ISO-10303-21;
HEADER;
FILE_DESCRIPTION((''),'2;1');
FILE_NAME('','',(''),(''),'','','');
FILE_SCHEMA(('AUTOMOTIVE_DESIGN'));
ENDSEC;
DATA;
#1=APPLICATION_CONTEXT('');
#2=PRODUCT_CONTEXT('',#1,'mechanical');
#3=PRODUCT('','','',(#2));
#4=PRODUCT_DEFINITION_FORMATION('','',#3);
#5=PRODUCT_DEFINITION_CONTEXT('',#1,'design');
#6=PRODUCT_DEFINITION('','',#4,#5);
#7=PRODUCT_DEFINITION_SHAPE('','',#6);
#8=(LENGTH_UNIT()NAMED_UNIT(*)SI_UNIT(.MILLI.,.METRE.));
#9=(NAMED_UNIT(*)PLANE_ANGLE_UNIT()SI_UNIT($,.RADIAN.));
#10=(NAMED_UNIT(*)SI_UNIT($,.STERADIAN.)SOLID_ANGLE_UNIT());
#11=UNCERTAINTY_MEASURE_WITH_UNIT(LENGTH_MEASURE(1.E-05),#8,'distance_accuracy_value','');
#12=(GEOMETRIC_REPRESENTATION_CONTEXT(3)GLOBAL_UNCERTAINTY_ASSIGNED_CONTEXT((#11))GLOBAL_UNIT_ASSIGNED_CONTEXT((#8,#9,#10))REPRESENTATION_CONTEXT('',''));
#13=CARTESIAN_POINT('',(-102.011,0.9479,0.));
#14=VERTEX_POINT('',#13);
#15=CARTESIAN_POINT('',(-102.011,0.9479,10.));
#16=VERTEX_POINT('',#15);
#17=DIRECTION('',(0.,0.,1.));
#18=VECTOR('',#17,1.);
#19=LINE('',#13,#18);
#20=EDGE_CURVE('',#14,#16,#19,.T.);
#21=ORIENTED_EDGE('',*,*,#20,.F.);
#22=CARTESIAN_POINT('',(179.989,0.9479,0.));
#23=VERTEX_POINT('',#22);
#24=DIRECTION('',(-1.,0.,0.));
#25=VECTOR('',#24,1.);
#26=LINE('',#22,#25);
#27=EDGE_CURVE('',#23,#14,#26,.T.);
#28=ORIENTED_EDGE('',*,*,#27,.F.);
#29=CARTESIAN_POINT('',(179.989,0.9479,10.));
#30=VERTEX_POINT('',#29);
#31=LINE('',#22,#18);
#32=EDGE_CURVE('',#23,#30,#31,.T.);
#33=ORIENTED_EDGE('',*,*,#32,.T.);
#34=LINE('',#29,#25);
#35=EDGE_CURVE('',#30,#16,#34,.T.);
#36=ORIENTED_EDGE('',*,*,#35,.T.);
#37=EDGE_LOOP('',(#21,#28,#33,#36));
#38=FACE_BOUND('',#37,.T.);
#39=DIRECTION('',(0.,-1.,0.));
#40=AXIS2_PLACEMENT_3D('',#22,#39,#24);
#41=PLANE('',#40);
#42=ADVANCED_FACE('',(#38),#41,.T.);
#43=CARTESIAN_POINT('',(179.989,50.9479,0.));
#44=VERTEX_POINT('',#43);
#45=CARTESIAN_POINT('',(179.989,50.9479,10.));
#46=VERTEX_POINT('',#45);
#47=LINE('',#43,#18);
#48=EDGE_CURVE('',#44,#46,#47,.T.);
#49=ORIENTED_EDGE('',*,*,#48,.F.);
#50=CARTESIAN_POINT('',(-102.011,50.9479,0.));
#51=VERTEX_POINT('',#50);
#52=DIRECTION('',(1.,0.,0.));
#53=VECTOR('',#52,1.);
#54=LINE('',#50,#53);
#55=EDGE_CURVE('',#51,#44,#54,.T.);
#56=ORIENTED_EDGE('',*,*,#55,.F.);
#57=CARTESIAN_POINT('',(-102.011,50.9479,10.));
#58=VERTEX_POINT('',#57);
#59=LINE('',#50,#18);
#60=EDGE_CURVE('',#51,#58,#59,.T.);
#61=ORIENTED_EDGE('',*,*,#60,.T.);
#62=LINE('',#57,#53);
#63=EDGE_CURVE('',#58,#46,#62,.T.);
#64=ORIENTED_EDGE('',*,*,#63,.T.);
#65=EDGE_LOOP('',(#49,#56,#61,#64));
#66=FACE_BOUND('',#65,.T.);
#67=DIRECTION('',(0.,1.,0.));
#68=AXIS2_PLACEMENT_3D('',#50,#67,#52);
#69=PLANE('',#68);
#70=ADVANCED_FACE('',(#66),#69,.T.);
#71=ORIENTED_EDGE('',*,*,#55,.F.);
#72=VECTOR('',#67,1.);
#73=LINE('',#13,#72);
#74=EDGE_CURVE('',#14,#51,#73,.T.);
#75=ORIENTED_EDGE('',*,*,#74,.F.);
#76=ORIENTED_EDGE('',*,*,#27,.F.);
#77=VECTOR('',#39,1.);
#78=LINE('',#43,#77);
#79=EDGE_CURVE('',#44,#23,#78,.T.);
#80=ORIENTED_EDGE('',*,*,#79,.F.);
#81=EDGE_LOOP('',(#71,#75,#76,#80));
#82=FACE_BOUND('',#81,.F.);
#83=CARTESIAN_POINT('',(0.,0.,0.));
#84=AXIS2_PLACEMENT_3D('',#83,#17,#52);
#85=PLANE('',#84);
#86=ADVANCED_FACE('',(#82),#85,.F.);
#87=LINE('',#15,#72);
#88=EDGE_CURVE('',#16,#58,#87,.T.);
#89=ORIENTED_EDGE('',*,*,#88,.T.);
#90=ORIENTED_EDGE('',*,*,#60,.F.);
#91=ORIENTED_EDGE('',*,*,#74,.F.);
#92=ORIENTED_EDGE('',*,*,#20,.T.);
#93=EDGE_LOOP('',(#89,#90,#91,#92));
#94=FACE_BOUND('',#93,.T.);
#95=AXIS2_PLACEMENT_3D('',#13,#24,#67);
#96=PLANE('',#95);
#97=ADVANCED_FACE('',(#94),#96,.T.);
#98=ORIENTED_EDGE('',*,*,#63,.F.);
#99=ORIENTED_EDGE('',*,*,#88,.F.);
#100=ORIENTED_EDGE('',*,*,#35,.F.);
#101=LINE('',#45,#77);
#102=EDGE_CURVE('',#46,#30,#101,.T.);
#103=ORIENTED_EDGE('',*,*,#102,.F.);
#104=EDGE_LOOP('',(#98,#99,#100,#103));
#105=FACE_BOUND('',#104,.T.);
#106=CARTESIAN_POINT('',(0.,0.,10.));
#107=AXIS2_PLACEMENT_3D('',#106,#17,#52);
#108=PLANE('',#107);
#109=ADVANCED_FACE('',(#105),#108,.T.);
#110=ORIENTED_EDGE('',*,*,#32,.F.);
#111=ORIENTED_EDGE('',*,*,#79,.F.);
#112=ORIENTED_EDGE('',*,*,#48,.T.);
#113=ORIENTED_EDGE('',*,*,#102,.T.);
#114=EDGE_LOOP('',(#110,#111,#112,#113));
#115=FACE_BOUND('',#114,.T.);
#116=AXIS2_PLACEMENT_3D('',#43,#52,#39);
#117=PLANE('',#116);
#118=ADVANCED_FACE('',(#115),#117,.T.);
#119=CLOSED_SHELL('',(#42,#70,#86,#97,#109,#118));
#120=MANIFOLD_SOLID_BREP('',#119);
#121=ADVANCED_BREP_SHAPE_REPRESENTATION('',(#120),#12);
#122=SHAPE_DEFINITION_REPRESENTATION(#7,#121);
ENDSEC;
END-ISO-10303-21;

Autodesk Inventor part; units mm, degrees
ref_plane "YZ Plane" through (0, 0, 0) normal (1, 0, 0) x (0, 1, 0)
ref_plane "XZ Plane" through (0, 0, 0) normal (0, 1, 0) x (-1, 0, 0)
ref_plane "XY Plane" through (0, 0, 0) normal (0, 0, 1) x (1, 0, 0)
sketch "Sketch1" plane through (0, 0, 0) normal (0, 0, 1) x (1, 0, 0)
  line L0 (169.989, 31) -> (-92.011, 31) projected
  line L1 (169.989, 31) -> (169.989, 40.9823) projected
  line L2 (-92.011, 40.9823) -> (169.989, 40.9823) projected
  line L3 (-92.011, 31) -> (-92.011, 40.9823) projected
  line L4 (-102.011, 50.9479) -> (179.989, 50.9479)
  line L5 (179.989, 50.9479) -> (179.989, 0.9479)
  line L6 (179.989, 0.9479) -> (-102.011, 0.9479)
  line L7 (-102.011, 0.9479) -> (-102.011, 50.9479)
  dimension "d4" = 50
  dimension "d5" = 10
  dimension "d6" = 10
extrude "Extrusion1" add sketch "Sketch1" along normal blind 10 contours L0 L3 L2 L1 | L4 L5 L6 L7
properties part number "Frame bottom Left" material "Aluminum 6061"
